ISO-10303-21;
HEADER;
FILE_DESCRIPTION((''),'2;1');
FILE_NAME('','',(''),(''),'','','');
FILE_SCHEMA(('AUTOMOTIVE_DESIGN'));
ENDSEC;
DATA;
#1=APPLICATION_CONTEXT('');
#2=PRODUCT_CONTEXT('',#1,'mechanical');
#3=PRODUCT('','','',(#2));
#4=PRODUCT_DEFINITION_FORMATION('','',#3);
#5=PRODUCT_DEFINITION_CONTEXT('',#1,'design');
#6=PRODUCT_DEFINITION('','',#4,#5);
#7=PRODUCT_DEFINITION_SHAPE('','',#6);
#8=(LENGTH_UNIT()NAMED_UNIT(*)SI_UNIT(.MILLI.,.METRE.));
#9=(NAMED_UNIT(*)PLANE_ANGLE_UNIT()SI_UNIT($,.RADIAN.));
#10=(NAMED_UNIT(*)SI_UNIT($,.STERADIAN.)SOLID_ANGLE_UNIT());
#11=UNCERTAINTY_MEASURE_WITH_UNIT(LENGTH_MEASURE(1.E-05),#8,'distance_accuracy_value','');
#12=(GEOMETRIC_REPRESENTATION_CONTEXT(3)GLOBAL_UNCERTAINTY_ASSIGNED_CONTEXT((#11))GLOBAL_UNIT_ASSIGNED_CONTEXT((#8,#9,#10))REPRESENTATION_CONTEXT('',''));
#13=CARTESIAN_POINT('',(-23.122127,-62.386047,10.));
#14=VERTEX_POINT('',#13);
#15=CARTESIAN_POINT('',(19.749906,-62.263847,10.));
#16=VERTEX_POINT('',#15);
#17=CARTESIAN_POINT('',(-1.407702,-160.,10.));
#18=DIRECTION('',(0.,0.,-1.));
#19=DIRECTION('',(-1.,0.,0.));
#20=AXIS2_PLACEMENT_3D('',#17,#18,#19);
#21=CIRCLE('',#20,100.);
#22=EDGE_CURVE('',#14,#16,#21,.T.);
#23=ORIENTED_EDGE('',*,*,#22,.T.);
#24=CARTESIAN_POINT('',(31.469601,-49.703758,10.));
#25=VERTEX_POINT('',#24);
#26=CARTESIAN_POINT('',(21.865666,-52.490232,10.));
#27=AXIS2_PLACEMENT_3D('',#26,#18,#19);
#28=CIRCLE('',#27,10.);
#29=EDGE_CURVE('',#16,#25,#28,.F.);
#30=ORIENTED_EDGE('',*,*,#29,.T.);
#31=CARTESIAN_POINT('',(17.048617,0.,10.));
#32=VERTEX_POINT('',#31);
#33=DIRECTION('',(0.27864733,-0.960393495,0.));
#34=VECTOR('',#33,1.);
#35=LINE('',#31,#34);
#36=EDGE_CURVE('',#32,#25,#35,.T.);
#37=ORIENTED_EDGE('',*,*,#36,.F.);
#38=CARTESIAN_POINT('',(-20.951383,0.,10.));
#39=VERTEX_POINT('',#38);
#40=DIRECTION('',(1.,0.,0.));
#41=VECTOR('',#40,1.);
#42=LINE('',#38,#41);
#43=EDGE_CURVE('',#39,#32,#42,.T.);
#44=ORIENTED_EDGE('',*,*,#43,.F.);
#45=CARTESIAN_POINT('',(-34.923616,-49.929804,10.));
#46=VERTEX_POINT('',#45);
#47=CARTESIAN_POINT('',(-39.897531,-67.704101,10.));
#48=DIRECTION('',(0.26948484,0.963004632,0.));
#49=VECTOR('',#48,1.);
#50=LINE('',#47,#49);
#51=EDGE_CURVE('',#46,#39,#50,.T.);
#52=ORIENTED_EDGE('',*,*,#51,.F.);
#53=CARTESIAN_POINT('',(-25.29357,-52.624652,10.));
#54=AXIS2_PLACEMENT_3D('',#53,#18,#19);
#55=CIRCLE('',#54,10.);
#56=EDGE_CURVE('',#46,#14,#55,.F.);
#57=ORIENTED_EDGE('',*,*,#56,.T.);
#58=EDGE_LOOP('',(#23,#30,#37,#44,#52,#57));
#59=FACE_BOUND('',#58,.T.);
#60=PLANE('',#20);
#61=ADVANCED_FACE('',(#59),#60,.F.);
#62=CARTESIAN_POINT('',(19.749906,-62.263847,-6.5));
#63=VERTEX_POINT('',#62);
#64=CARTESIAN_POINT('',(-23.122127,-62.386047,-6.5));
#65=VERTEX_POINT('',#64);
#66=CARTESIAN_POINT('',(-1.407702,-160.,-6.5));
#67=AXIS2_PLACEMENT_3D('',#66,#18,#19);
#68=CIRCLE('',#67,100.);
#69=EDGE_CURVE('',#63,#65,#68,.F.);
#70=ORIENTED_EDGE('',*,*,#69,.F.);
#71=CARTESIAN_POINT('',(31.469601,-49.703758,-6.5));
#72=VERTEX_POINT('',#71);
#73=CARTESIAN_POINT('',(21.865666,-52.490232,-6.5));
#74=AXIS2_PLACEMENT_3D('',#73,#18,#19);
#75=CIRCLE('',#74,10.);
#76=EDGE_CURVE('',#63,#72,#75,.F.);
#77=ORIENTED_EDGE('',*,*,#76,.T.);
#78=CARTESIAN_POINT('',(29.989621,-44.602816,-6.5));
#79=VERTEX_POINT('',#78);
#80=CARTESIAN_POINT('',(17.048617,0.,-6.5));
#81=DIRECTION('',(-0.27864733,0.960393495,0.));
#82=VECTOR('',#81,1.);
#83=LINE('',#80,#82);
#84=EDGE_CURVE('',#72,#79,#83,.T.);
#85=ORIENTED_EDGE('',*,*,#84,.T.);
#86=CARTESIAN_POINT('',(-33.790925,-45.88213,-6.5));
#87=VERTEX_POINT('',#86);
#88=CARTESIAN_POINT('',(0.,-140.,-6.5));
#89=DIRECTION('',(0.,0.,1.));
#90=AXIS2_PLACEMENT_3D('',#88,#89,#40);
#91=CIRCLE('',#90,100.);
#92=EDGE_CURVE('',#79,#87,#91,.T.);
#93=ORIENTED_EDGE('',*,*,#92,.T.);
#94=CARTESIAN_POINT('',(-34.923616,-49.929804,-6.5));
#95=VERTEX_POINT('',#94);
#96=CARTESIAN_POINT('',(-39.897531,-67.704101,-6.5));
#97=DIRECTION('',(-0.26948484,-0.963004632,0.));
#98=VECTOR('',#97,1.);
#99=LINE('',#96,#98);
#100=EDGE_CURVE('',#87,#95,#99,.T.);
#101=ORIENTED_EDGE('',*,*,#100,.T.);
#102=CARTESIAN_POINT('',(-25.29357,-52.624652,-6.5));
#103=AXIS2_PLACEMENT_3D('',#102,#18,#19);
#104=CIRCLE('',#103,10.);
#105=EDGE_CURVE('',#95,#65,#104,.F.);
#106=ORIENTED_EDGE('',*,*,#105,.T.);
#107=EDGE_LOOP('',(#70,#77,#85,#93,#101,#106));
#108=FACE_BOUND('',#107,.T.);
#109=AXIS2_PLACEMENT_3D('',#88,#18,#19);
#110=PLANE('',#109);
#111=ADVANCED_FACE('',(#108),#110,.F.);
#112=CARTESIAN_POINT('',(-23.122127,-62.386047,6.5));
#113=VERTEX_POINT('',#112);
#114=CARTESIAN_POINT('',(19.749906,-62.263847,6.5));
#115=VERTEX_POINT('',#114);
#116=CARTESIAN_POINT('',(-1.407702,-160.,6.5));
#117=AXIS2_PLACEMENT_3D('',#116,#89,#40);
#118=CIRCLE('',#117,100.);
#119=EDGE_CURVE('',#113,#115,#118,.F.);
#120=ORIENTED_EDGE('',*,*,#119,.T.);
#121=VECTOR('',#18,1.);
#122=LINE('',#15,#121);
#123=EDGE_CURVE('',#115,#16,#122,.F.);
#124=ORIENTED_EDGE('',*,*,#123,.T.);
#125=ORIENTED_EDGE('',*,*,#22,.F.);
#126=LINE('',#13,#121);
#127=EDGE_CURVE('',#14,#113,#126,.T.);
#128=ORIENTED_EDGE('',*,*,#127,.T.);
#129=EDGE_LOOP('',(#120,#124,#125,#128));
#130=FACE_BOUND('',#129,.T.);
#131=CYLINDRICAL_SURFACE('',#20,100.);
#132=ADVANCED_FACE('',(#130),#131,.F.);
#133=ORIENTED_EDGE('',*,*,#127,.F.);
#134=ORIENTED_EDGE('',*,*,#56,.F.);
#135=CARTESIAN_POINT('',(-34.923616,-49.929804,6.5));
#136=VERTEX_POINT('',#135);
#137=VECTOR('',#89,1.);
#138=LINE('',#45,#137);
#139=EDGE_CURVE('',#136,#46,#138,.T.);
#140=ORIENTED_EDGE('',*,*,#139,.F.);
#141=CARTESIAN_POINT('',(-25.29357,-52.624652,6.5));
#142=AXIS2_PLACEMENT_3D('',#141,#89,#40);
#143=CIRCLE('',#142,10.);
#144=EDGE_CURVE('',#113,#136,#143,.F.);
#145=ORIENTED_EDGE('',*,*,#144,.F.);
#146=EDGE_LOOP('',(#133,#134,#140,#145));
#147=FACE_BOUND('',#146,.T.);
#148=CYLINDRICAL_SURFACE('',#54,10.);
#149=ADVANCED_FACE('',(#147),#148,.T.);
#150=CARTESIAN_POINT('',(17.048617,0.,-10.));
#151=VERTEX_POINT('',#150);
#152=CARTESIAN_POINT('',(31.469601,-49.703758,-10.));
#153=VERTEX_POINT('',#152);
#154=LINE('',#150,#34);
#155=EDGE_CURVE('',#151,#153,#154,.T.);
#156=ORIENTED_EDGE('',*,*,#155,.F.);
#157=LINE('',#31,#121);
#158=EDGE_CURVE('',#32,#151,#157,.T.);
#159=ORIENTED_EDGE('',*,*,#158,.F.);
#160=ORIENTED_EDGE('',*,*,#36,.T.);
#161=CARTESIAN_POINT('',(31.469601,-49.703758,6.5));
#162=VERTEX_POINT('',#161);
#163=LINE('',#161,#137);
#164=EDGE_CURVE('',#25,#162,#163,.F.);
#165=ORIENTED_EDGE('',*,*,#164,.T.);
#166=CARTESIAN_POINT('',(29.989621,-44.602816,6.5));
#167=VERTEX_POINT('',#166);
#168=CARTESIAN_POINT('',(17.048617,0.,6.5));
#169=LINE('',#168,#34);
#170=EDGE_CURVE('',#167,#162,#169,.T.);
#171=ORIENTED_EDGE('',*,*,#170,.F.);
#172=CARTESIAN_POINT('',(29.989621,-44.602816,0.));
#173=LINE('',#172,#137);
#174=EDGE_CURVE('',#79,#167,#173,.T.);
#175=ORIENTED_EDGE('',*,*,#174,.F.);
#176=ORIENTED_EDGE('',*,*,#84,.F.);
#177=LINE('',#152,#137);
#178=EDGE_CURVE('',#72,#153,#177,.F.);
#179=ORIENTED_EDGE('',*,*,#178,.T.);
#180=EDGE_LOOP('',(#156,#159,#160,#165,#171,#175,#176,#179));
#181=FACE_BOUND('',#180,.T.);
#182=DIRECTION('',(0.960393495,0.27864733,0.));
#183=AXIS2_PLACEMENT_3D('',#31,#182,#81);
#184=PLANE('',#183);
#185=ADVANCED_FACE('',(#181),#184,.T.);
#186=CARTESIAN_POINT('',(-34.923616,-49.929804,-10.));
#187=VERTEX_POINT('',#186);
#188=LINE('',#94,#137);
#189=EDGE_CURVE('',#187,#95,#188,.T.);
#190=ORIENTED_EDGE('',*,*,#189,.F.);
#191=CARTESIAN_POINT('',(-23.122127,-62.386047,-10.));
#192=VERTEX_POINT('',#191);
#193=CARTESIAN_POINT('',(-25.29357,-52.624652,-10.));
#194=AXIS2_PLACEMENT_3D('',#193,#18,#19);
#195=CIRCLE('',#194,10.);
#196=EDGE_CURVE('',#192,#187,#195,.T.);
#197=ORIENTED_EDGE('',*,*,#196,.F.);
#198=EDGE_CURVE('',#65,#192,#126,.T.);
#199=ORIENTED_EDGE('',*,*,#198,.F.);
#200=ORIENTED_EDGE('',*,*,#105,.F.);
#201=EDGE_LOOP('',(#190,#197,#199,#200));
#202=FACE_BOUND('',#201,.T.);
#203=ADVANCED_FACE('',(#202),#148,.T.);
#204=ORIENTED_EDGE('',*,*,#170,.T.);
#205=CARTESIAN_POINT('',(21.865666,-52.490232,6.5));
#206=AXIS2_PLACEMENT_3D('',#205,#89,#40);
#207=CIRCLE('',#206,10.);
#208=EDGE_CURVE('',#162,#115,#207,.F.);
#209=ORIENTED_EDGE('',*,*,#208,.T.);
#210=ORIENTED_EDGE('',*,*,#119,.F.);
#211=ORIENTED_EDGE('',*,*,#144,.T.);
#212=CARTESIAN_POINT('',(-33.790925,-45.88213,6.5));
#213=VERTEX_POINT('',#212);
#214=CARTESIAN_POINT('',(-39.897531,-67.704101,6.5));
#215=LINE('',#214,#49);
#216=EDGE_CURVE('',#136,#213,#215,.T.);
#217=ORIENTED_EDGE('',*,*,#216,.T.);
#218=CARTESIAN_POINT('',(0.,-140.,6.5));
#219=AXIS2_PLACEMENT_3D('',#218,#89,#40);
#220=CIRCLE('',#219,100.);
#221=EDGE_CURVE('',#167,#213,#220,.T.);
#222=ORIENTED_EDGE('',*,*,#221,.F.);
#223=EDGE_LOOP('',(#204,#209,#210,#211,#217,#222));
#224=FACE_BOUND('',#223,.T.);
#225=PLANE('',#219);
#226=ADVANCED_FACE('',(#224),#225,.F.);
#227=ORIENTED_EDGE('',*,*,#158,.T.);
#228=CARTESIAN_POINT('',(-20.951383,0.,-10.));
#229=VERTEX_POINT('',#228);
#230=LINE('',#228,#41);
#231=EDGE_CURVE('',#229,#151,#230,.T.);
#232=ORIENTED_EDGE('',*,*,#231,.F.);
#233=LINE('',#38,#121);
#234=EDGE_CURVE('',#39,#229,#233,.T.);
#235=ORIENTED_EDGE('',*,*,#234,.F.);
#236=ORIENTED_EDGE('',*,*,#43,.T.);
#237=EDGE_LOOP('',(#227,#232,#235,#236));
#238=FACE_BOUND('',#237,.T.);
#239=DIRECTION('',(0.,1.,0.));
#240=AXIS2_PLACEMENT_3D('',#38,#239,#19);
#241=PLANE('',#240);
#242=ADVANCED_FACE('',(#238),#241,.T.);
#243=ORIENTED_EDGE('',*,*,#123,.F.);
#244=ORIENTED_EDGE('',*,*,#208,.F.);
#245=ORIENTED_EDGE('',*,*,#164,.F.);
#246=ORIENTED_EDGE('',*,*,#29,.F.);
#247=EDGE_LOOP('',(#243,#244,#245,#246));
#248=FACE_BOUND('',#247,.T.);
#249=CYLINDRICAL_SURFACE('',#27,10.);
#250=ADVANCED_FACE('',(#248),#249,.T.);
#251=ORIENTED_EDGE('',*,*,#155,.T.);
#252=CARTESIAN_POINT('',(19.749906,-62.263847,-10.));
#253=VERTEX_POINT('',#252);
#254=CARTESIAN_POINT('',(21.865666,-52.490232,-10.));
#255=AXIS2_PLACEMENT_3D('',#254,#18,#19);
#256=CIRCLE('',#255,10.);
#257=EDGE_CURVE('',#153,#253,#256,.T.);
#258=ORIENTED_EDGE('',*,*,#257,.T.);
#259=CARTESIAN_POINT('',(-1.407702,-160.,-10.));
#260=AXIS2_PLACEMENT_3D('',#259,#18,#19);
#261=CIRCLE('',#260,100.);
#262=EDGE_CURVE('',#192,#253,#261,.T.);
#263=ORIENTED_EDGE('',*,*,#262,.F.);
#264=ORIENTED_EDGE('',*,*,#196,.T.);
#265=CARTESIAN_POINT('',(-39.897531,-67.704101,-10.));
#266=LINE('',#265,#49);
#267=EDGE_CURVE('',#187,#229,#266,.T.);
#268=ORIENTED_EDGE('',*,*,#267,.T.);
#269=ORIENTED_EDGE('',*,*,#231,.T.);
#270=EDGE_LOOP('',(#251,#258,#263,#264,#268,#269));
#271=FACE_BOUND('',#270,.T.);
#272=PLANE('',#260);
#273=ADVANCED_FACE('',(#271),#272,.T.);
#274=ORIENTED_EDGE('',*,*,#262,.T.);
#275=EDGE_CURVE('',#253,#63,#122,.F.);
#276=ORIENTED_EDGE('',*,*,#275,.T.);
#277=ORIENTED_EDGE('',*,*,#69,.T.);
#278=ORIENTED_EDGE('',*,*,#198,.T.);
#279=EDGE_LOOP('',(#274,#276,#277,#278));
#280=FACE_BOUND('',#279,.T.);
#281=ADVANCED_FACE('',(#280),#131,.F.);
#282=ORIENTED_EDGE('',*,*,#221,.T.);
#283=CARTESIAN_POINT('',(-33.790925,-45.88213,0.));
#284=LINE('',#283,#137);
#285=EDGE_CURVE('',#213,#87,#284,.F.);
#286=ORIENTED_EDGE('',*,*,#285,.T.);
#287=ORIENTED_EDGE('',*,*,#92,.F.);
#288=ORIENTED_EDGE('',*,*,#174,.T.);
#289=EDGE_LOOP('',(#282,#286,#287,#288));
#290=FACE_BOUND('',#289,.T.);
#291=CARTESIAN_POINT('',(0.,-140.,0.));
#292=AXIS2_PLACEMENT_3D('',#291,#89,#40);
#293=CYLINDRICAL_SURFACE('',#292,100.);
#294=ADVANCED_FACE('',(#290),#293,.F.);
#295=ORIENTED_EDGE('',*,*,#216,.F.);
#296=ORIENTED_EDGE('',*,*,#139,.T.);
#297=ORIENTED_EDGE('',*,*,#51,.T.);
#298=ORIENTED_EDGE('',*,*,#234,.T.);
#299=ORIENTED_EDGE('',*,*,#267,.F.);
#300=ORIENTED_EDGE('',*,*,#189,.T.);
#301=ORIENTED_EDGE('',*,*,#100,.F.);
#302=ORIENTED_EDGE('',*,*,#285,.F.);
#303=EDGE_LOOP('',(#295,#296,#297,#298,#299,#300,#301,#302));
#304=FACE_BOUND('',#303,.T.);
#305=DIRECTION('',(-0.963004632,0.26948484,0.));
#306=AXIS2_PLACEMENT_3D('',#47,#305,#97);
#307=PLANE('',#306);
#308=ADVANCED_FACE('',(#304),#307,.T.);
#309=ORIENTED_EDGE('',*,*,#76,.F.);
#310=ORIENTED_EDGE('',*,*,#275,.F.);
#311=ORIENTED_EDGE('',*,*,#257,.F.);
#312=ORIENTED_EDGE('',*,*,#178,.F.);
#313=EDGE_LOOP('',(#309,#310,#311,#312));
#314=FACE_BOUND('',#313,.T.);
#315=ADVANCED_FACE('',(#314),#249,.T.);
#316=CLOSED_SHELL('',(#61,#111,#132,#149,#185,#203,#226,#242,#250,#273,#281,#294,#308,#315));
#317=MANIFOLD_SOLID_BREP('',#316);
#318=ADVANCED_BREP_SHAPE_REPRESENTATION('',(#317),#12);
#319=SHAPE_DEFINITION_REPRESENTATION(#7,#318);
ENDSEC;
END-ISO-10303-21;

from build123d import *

# Parameters (mm, degrees)
BOSS_EXTRUDE1_DEPTH = 10
SKETCH5_W           = 13
SKETCH5_H           = 100
FILLET1_R           = 10


with BuildPart() as part:
    # Sketch1 → Boss-Extrude1 (new body, symmetric)
    with BuildSketch(Plane.XY):
        with BuildLine():
            Line((17.04861701, 0), (36.638934873, -67.52052444))
            ThreePointArc((36.638934873, -67.52052444), (-1.647556066, -60.00028765), (-39.897531443, -67.704100565))
            Line((-39.897531443, -67.704100565), (-20.95138299, 0))
            Line((-20.95138299, 0), (17.04861701, 0))
        make_face()
    extrude(amount=BOSS_EXTRUDE1_DEPTH, both=True)

    # Sketch5 → Cut-Revolve2 (revolve, cut)
    with BuildSketch(Plane(origin=(0, 0, 0), x_dir=(0, 0, -1), z_dir=(1, 0, 0))):
        with Locations((0, -190)):
            Rectangle(SKETCH5_W, SKETCH5_H)
    revolve(axis=Axis((0, -140, 0), (0, 0, -1)), mode=Mode.SUBTRACT)

    # Fillet1
    fillet1_edges = [part.edges().sort_by_distance(p)[0] for p in [
        (36.638934873, -67.52052444, -8.25),
        (-39.897531443, -67.704100565, -8.25),
        (-39.897531443, -67.704100565, 8.25),
        (36.638934873, -67.52052444, 8.25),
    ]]
    fillet(fillet1_edges, radius=FILLET1_R)


solid = part.part
